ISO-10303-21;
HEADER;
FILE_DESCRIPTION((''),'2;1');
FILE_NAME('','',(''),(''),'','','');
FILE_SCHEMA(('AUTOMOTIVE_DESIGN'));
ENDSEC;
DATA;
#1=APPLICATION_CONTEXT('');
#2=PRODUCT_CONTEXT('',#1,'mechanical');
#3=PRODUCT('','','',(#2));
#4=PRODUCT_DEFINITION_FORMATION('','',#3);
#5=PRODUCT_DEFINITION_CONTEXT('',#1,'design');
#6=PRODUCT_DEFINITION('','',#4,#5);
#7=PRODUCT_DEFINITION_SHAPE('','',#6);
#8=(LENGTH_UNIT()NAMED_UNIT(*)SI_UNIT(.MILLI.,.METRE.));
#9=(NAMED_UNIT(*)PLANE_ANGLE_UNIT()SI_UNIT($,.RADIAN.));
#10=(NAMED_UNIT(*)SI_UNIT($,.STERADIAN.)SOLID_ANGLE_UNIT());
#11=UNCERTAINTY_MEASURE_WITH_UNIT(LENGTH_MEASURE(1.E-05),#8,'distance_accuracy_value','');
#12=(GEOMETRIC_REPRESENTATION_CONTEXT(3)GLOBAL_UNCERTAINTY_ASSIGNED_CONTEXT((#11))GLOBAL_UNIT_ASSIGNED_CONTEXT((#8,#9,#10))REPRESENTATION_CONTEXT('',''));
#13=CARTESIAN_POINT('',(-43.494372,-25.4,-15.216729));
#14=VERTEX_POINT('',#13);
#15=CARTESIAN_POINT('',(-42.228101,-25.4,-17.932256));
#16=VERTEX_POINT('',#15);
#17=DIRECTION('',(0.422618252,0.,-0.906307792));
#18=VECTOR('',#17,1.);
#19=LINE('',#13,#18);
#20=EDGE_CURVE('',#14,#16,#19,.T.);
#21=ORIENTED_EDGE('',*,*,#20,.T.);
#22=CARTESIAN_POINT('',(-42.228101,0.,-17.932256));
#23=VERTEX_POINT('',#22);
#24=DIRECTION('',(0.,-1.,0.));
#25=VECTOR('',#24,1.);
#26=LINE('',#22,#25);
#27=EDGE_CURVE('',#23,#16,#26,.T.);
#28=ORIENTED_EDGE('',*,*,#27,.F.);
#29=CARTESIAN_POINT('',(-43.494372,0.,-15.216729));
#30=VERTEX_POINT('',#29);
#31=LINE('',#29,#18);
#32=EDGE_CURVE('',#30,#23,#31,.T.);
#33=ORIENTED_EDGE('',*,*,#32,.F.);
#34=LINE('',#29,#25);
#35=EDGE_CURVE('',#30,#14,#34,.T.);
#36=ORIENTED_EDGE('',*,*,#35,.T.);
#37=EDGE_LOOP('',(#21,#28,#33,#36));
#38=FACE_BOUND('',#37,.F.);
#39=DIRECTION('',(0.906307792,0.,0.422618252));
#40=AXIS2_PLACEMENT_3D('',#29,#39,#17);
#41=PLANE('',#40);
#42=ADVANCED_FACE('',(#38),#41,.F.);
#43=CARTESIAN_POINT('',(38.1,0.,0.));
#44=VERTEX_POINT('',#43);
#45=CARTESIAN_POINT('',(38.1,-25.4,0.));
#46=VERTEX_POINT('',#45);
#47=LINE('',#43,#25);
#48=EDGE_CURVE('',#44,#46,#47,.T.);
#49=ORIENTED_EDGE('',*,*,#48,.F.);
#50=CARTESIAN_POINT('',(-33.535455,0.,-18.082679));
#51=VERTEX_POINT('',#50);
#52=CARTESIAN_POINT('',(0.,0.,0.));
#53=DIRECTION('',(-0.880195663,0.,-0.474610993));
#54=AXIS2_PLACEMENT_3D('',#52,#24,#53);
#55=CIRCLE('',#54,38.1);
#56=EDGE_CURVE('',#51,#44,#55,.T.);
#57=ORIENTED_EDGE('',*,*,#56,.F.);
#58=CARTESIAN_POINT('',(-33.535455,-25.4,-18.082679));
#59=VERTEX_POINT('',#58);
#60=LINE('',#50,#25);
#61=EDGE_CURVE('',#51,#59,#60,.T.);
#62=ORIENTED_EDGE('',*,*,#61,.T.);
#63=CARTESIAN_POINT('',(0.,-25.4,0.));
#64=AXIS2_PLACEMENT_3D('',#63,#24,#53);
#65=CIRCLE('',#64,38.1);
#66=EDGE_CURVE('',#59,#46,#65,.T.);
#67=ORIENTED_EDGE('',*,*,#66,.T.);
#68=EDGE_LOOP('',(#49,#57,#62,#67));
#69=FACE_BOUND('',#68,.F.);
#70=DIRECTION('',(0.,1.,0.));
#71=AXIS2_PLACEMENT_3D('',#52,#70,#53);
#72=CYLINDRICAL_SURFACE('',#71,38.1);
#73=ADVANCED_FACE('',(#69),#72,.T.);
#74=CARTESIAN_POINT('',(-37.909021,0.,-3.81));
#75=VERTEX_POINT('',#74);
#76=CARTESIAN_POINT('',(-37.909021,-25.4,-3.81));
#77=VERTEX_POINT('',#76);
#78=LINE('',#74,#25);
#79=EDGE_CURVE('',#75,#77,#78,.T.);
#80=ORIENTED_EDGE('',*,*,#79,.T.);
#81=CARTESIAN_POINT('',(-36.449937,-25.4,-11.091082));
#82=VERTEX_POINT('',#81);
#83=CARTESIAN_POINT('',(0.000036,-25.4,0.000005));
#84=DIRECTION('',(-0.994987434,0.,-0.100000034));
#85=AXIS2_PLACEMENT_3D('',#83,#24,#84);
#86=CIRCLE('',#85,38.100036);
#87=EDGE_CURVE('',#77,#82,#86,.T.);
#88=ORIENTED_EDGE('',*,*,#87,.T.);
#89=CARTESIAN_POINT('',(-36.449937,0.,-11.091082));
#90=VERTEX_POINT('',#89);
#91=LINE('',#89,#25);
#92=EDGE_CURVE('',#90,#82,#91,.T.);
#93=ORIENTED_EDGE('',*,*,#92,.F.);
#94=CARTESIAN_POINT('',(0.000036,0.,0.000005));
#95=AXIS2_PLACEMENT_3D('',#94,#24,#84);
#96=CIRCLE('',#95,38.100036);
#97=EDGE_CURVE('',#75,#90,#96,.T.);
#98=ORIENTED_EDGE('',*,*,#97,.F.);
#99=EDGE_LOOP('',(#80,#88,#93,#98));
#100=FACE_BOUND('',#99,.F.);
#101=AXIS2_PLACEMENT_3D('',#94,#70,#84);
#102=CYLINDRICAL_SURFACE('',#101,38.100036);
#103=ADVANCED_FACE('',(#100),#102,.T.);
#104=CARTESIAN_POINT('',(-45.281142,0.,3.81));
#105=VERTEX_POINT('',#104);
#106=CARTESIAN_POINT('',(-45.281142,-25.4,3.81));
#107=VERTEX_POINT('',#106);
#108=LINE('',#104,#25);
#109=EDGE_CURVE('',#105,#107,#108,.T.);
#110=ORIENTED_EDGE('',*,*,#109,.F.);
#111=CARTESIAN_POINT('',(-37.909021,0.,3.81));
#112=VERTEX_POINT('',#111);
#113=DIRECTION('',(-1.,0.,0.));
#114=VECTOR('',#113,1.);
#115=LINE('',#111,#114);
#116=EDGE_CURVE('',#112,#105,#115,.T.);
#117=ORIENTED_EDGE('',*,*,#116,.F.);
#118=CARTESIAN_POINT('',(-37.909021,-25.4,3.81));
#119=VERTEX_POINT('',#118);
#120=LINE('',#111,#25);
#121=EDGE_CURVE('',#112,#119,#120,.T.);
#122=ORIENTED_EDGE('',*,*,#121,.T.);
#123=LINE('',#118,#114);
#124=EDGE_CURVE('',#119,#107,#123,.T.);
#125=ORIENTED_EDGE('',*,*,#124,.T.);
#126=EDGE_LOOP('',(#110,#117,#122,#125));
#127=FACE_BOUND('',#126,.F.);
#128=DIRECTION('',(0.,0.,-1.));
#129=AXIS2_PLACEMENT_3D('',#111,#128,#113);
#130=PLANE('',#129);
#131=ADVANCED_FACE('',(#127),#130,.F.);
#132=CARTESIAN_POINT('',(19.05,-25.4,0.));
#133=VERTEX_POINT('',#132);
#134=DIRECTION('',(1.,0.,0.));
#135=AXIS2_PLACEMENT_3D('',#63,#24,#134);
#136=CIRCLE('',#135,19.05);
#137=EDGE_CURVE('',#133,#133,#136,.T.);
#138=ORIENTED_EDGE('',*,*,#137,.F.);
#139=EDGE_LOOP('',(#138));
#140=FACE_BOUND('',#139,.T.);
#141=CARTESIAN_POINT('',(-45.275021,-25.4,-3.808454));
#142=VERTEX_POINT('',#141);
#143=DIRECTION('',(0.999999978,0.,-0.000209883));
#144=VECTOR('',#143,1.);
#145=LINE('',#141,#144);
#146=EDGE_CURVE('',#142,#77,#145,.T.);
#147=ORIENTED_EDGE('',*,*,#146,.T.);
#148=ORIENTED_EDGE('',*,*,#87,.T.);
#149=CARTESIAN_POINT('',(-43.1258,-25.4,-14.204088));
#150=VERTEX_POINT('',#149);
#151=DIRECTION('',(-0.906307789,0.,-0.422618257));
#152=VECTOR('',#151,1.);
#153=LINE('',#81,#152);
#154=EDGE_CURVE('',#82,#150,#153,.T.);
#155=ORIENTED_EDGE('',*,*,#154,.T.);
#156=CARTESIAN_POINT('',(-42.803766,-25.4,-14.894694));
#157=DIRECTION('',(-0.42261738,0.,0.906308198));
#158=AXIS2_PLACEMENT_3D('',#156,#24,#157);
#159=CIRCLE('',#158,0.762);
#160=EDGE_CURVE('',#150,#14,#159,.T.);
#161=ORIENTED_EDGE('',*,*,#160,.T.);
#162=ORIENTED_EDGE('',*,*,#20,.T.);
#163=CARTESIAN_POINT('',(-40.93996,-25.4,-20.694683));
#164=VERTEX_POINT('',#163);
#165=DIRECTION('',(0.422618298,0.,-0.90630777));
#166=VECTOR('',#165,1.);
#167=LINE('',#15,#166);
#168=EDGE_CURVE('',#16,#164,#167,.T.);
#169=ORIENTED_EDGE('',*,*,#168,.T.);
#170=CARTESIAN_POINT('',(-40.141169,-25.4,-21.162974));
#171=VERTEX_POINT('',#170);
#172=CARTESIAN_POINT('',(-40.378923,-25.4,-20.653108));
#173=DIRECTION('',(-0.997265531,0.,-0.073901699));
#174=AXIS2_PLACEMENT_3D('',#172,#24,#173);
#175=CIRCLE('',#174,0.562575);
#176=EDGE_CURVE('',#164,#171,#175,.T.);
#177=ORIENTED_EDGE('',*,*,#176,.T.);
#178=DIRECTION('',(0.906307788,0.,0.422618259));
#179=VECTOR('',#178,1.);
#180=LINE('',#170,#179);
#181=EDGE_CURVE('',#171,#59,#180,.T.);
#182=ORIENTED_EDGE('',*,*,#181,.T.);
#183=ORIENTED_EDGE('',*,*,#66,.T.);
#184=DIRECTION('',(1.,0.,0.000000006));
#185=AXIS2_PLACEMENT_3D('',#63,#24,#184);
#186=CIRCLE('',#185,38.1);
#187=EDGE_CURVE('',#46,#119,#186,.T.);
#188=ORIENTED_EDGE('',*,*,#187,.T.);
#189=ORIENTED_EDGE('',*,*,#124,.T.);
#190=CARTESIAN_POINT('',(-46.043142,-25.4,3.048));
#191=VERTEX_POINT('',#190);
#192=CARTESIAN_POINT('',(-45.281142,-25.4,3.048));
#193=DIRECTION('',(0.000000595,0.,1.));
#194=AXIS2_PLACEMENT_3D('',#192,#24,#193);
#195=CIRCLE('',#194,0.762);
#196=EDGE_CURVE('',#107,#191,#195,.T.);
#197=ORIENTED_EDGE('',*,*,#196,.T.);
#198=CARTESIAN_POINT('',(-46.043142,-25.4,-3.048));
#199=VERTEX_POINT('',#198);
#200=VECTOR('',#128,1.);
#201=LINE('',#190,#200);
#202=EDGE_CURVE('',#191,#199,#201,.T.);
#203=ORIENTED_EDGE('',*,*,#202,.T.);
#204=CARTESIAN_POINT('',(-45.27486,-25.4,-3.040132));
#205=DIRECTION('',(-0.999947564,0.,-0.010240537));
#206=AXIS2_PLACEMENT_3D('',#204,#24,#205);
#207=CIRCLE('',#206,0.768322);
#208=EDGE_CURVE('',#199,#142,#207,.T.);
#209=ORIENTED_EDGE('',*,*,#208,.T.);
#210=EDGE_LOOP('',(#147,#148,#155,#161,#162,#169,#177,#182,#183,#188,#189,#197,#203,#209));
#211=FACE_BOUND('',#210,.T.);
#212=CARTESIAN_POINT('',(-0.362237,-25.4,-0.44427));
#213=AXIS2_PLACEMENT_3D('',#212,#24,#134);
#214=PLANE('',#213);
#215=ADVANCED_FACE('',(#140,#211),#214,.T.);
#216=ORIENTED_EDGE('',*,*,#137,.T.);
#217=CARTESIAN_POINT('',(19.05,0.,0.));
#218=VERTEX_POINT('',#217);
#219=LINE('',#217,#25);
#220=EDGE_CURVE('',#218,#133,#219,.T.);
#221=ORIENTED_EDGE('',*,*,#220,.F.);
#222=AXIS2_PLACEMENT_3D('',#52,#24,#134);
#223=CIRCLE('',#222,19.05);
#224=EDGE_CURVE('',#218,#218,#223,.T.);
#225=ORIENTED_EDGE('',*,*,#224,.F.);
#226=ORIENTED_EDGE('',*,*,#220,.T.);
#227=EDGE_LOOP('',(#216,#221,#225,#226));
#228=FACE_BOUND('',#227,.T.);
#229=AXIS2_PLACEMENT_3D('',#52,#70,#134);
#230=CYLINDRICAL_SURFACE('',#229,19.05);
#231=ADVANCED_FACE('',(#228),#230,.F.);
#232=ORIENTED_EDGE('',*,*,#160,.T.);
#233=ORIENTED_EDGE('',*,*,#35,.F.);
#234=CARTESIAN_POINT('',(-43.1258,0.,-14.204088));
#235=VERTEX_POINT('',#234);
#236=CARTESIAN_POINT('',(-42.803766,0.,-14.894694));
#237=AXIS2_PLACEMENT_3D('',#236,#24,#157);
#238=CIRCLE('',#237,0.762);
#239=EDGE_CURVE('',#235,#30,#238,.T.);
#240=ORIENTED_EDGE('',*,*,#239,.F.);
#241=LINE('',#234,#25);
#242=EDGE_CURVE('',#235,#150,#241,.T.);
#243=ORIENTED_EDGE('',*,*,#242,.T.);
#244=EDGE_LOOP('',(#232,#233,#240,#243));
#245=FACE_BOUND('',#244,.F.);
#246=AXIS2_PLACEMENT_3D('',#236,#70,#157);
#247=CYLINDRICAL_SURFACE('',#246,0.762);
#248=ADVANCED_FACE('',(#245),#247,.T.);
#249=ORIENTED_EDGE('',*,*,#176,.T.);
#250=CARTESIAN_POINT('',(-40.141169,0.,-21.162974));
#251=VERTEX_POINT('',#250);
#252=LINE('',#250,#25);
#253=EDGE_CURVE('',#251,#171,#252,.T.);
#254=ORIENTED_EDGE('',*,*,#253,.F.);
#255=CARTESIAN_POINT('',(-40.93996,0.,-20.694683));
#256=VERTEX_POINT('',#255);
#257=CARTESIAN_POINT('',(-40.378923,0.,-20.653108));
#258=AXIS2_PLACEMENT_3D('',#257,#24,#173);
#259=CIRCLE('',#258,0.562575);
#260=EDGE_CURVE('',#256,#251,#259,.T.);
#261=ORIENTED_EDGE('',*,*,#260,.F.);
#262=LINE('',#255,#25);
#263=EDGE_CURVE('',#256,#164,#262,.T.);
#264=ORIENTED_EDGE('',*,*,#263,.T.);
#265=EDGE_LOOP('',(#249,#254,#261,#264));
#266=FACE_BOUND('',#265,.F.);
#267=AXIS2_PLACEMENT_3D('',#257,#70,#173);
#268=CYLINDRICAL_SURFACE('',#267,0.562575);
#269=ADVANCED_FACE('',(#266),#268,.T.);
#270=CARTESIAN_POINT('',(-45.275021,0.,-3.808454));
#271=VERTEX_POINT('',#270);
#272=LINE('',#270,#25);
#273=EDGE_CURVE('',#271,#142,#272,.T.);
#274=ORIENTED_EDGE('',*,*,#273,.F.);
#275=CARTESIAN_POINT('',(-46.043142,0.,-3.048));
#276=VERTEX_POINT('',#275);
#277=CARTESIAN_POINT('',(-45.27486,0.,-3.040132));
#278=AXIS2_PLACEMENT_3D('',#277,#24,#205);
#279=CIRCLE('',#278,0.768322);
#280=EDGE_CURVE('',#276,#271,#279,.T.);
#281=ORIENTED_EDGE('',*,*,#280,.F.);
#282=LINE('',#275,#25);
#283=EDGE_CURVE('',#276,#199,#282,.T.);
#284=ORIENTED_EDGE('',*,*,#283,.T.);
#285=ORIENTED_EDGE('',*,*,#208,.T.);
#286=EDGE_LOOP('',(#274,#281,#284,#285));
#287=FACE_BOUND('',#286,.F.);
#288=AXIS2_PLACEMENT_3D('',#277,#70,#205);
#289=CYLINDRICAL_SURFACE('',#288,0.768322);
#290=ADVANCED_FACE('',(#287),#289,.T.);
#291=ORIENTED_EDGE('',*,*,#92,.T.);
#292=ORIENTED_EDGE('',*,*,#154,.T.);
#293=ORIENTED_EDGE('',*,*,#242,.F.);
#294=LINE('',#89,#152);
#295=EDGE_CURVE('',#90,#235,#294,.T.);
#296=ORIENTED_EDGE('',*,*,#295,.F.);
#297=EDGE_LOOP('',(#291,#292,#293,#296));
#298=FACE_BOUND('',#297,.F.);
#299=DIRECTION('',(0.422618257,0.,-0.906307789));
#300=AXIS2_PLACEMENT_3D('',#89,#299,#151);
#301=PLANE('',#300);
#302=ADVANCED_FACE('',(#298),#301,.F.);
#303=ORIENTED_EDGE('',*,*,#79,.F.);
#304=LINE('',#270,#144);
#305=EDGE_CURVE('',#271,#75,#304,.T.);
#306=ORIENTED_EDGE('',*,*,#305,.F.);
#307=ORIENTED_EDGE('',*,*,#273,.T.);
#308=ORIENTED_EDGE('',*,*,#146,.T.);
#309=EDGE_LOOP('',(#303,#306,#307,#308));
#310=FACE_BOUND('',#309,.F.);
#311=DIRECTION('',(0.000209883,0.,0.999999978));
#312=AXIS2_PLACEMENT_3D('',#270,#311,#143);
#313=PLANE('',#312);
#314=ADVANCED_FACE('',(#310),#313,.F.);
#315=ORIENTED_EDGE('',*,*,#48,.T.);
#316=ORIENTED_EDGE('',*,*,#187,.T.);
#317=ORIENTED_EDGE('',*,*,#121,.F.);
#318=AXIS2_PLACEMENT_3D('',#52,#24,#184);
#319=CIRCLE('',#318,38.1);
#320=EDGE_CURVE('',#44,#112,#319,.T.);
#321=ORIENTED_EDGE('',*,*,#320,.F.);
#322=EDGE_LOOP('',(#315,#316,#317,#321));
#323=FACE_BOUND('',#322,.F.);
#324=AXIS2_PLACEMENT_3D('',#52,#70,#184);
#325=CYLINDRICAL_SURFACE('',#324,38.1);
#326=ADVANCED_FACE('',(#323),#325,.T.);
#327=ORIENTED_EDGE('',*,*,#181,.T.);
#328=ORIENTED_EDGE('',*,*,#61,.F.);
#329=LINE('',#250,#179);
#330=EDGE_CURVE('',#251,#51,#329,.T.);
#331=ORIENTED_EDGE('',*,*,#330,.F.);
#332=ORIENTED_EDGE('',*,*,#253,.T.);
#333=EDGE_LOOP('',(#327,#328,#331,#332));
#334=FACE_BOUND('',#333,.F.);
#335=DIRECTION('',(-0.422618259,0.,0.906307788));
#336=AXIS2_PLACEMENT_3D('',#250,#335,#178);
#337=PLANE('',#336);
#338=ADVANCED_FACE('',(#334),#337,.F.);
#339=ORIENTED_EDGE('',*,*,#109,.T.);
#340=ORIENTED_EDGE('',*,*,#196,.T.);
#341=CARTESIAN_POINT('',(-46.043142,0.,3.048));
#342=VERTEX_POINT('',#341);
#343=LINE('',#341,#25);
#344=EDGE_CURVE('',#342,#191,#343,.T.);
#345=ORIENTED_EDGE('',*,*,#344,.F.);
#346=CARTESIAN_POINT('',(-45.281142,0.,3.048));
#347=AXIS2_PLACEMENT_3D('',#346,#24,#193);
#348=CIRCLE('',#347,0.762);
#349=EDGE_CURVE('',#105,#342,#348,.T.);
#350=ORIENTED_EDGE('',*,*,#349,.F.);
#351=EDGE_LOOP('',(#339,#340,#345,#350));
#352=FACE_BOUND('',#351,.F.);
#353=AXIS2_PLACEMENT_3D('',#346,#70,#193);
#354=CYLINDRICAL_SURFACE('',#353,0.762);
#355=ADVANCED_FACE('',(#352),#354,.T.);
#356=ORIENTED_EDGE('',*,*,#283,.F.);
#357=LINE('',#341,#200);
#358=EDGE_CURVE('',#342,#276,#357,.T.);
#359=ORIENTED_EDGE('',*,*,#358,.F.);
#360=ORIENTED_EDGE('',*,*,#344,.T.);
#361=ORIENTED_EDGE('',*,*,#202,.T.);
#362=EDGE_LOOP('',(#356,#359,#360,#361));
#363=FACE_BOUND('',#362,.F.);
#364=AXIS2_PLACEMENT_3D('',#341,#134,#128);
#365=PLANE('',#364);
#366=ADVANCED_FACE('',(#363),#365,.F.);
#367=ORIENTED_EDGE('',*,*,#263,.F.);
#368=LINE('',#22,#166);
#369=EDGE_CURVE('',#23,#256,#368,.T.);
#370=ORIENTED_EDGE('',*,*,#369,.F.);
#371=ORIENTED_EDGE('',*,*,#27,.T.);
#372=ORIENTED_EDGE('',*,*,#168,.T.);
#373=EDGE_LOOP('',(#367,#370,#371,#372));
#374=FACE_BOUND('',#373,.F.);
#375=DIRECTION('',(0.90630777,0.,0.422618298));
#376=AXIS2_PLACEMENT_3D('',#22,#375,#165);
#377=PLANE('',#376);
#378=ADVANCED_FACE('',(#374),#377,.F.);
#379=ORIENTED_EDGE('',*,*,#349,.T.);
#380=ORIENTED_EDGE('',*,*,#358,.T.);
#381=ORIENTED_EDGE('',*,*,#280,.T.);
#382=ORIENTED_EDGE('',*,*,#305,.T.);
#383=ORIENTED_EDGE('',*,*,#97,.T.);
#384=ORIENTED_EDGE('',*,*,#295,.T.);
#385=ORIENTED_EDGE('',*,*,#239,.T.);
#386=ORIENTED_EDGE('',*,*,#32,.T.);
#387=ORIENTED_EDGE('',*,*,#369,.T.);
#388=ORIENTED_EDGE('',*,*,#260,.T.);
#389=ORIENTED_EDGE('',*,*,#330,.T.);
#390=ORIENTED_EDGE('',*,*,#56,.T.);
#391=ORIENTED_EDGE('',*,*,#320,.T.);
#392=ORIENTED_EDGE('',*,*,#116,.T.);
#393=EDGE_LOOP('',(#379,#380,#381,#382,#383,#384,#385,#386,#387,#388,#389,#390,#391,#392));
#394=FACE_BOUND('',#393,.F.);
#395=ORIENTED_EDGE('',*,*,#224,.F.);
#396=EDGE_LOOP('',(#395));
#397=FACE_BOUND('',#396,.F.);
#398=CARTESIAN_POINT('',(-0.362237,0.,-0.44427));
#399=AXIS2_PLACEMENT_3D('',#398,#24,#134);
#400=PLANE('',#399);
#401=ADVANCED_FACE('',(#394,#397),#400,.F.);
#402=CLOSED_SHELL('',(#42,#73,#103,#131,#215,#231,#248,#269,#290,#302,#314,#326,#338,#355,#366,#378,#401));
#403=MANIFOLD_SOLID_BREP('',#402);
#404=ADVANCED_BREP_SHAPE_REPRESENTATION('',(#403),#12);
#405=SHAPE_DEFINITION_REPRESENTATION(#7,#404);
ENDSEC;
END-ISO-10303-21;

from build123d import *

# Parameters (mm, degrees)
F0_R     = 19.05
F1_DEPTH = 25.4


with BuildPart() as f1:
    # F0 (on Front) → F1 (new body)
    with BuildSketch(Plane.XZ):
        with BuildLine():
            ThreePointArc((-33.535455, -18.082679), (9.324944, -36.941243), (38.1, 0))
            ThreePointArc((38.1, 0), (1.907392, 38.052225), (-37.909021, 3.81))
            ThreePointArc((-37.909021, 3.81), (-38.1, 0), (-37.909021, -3.81))
            ThreePointArc((-37.909021, -3.81), (-37.357291, -7.486173), (-36.449937, -11.091082))
            ThreePointArc((-36.449937, -11.091082), (-35.166879, -14.659489), (-33.535455, -18.082679))
        make_face()
        Circle(F0_R, mode=Mode.SUBTRACT)
        with BuildLine():
            ThreePointArc((-37.909021, -3.81), (-38.1, 0), (-37.909021, 3.81))
            Line((-37.909021, 3.81), (-45.281142, 3.81))
            ThreePointArc((-45.281142, 3.81), (-45.819958, 3.586815), (-46.043142, 3.048))
            Line((-46.043142, 3.048), (-46.043142, 0))
            Line((-46.043142, 0), (-46.043142, -3.048))
            ThreePointArc((-46.043142, -3.048), (-45.815414, -3.586136), (-45.275021, -3.808454))
            Line((-45.275021, -3.808454), (-37.909021, -3.81))
        make_face()
        with BuildLine():
            Line((-40.141169, -21.162974), (-33.535455, -18.082679))
            ThreePointArc((-33.535455, -18.082679), (-35.166879, -14.659489), (-36.449937, -11.091082))
            Line((-36.449937, -11.091082), (-43.1258, -14.204088))
            ThreePointArc((-43.1258, -14.204088), (-43.519811, -14.634075), (-43.494372, -15.216729))
            Line((-43.494372, -15.216729), (-42.228101, -17.932256))
            Line((-42.228101, -17.932256), (-40.93996, -20.694683))
            ThreePointArc((-40.93996, -20.694683), (-40.663444, -21.138431), (-40.141169, -21.162974))
        make_face()
    extrude(amount=F1_DEPTH)


solid = f1.part
